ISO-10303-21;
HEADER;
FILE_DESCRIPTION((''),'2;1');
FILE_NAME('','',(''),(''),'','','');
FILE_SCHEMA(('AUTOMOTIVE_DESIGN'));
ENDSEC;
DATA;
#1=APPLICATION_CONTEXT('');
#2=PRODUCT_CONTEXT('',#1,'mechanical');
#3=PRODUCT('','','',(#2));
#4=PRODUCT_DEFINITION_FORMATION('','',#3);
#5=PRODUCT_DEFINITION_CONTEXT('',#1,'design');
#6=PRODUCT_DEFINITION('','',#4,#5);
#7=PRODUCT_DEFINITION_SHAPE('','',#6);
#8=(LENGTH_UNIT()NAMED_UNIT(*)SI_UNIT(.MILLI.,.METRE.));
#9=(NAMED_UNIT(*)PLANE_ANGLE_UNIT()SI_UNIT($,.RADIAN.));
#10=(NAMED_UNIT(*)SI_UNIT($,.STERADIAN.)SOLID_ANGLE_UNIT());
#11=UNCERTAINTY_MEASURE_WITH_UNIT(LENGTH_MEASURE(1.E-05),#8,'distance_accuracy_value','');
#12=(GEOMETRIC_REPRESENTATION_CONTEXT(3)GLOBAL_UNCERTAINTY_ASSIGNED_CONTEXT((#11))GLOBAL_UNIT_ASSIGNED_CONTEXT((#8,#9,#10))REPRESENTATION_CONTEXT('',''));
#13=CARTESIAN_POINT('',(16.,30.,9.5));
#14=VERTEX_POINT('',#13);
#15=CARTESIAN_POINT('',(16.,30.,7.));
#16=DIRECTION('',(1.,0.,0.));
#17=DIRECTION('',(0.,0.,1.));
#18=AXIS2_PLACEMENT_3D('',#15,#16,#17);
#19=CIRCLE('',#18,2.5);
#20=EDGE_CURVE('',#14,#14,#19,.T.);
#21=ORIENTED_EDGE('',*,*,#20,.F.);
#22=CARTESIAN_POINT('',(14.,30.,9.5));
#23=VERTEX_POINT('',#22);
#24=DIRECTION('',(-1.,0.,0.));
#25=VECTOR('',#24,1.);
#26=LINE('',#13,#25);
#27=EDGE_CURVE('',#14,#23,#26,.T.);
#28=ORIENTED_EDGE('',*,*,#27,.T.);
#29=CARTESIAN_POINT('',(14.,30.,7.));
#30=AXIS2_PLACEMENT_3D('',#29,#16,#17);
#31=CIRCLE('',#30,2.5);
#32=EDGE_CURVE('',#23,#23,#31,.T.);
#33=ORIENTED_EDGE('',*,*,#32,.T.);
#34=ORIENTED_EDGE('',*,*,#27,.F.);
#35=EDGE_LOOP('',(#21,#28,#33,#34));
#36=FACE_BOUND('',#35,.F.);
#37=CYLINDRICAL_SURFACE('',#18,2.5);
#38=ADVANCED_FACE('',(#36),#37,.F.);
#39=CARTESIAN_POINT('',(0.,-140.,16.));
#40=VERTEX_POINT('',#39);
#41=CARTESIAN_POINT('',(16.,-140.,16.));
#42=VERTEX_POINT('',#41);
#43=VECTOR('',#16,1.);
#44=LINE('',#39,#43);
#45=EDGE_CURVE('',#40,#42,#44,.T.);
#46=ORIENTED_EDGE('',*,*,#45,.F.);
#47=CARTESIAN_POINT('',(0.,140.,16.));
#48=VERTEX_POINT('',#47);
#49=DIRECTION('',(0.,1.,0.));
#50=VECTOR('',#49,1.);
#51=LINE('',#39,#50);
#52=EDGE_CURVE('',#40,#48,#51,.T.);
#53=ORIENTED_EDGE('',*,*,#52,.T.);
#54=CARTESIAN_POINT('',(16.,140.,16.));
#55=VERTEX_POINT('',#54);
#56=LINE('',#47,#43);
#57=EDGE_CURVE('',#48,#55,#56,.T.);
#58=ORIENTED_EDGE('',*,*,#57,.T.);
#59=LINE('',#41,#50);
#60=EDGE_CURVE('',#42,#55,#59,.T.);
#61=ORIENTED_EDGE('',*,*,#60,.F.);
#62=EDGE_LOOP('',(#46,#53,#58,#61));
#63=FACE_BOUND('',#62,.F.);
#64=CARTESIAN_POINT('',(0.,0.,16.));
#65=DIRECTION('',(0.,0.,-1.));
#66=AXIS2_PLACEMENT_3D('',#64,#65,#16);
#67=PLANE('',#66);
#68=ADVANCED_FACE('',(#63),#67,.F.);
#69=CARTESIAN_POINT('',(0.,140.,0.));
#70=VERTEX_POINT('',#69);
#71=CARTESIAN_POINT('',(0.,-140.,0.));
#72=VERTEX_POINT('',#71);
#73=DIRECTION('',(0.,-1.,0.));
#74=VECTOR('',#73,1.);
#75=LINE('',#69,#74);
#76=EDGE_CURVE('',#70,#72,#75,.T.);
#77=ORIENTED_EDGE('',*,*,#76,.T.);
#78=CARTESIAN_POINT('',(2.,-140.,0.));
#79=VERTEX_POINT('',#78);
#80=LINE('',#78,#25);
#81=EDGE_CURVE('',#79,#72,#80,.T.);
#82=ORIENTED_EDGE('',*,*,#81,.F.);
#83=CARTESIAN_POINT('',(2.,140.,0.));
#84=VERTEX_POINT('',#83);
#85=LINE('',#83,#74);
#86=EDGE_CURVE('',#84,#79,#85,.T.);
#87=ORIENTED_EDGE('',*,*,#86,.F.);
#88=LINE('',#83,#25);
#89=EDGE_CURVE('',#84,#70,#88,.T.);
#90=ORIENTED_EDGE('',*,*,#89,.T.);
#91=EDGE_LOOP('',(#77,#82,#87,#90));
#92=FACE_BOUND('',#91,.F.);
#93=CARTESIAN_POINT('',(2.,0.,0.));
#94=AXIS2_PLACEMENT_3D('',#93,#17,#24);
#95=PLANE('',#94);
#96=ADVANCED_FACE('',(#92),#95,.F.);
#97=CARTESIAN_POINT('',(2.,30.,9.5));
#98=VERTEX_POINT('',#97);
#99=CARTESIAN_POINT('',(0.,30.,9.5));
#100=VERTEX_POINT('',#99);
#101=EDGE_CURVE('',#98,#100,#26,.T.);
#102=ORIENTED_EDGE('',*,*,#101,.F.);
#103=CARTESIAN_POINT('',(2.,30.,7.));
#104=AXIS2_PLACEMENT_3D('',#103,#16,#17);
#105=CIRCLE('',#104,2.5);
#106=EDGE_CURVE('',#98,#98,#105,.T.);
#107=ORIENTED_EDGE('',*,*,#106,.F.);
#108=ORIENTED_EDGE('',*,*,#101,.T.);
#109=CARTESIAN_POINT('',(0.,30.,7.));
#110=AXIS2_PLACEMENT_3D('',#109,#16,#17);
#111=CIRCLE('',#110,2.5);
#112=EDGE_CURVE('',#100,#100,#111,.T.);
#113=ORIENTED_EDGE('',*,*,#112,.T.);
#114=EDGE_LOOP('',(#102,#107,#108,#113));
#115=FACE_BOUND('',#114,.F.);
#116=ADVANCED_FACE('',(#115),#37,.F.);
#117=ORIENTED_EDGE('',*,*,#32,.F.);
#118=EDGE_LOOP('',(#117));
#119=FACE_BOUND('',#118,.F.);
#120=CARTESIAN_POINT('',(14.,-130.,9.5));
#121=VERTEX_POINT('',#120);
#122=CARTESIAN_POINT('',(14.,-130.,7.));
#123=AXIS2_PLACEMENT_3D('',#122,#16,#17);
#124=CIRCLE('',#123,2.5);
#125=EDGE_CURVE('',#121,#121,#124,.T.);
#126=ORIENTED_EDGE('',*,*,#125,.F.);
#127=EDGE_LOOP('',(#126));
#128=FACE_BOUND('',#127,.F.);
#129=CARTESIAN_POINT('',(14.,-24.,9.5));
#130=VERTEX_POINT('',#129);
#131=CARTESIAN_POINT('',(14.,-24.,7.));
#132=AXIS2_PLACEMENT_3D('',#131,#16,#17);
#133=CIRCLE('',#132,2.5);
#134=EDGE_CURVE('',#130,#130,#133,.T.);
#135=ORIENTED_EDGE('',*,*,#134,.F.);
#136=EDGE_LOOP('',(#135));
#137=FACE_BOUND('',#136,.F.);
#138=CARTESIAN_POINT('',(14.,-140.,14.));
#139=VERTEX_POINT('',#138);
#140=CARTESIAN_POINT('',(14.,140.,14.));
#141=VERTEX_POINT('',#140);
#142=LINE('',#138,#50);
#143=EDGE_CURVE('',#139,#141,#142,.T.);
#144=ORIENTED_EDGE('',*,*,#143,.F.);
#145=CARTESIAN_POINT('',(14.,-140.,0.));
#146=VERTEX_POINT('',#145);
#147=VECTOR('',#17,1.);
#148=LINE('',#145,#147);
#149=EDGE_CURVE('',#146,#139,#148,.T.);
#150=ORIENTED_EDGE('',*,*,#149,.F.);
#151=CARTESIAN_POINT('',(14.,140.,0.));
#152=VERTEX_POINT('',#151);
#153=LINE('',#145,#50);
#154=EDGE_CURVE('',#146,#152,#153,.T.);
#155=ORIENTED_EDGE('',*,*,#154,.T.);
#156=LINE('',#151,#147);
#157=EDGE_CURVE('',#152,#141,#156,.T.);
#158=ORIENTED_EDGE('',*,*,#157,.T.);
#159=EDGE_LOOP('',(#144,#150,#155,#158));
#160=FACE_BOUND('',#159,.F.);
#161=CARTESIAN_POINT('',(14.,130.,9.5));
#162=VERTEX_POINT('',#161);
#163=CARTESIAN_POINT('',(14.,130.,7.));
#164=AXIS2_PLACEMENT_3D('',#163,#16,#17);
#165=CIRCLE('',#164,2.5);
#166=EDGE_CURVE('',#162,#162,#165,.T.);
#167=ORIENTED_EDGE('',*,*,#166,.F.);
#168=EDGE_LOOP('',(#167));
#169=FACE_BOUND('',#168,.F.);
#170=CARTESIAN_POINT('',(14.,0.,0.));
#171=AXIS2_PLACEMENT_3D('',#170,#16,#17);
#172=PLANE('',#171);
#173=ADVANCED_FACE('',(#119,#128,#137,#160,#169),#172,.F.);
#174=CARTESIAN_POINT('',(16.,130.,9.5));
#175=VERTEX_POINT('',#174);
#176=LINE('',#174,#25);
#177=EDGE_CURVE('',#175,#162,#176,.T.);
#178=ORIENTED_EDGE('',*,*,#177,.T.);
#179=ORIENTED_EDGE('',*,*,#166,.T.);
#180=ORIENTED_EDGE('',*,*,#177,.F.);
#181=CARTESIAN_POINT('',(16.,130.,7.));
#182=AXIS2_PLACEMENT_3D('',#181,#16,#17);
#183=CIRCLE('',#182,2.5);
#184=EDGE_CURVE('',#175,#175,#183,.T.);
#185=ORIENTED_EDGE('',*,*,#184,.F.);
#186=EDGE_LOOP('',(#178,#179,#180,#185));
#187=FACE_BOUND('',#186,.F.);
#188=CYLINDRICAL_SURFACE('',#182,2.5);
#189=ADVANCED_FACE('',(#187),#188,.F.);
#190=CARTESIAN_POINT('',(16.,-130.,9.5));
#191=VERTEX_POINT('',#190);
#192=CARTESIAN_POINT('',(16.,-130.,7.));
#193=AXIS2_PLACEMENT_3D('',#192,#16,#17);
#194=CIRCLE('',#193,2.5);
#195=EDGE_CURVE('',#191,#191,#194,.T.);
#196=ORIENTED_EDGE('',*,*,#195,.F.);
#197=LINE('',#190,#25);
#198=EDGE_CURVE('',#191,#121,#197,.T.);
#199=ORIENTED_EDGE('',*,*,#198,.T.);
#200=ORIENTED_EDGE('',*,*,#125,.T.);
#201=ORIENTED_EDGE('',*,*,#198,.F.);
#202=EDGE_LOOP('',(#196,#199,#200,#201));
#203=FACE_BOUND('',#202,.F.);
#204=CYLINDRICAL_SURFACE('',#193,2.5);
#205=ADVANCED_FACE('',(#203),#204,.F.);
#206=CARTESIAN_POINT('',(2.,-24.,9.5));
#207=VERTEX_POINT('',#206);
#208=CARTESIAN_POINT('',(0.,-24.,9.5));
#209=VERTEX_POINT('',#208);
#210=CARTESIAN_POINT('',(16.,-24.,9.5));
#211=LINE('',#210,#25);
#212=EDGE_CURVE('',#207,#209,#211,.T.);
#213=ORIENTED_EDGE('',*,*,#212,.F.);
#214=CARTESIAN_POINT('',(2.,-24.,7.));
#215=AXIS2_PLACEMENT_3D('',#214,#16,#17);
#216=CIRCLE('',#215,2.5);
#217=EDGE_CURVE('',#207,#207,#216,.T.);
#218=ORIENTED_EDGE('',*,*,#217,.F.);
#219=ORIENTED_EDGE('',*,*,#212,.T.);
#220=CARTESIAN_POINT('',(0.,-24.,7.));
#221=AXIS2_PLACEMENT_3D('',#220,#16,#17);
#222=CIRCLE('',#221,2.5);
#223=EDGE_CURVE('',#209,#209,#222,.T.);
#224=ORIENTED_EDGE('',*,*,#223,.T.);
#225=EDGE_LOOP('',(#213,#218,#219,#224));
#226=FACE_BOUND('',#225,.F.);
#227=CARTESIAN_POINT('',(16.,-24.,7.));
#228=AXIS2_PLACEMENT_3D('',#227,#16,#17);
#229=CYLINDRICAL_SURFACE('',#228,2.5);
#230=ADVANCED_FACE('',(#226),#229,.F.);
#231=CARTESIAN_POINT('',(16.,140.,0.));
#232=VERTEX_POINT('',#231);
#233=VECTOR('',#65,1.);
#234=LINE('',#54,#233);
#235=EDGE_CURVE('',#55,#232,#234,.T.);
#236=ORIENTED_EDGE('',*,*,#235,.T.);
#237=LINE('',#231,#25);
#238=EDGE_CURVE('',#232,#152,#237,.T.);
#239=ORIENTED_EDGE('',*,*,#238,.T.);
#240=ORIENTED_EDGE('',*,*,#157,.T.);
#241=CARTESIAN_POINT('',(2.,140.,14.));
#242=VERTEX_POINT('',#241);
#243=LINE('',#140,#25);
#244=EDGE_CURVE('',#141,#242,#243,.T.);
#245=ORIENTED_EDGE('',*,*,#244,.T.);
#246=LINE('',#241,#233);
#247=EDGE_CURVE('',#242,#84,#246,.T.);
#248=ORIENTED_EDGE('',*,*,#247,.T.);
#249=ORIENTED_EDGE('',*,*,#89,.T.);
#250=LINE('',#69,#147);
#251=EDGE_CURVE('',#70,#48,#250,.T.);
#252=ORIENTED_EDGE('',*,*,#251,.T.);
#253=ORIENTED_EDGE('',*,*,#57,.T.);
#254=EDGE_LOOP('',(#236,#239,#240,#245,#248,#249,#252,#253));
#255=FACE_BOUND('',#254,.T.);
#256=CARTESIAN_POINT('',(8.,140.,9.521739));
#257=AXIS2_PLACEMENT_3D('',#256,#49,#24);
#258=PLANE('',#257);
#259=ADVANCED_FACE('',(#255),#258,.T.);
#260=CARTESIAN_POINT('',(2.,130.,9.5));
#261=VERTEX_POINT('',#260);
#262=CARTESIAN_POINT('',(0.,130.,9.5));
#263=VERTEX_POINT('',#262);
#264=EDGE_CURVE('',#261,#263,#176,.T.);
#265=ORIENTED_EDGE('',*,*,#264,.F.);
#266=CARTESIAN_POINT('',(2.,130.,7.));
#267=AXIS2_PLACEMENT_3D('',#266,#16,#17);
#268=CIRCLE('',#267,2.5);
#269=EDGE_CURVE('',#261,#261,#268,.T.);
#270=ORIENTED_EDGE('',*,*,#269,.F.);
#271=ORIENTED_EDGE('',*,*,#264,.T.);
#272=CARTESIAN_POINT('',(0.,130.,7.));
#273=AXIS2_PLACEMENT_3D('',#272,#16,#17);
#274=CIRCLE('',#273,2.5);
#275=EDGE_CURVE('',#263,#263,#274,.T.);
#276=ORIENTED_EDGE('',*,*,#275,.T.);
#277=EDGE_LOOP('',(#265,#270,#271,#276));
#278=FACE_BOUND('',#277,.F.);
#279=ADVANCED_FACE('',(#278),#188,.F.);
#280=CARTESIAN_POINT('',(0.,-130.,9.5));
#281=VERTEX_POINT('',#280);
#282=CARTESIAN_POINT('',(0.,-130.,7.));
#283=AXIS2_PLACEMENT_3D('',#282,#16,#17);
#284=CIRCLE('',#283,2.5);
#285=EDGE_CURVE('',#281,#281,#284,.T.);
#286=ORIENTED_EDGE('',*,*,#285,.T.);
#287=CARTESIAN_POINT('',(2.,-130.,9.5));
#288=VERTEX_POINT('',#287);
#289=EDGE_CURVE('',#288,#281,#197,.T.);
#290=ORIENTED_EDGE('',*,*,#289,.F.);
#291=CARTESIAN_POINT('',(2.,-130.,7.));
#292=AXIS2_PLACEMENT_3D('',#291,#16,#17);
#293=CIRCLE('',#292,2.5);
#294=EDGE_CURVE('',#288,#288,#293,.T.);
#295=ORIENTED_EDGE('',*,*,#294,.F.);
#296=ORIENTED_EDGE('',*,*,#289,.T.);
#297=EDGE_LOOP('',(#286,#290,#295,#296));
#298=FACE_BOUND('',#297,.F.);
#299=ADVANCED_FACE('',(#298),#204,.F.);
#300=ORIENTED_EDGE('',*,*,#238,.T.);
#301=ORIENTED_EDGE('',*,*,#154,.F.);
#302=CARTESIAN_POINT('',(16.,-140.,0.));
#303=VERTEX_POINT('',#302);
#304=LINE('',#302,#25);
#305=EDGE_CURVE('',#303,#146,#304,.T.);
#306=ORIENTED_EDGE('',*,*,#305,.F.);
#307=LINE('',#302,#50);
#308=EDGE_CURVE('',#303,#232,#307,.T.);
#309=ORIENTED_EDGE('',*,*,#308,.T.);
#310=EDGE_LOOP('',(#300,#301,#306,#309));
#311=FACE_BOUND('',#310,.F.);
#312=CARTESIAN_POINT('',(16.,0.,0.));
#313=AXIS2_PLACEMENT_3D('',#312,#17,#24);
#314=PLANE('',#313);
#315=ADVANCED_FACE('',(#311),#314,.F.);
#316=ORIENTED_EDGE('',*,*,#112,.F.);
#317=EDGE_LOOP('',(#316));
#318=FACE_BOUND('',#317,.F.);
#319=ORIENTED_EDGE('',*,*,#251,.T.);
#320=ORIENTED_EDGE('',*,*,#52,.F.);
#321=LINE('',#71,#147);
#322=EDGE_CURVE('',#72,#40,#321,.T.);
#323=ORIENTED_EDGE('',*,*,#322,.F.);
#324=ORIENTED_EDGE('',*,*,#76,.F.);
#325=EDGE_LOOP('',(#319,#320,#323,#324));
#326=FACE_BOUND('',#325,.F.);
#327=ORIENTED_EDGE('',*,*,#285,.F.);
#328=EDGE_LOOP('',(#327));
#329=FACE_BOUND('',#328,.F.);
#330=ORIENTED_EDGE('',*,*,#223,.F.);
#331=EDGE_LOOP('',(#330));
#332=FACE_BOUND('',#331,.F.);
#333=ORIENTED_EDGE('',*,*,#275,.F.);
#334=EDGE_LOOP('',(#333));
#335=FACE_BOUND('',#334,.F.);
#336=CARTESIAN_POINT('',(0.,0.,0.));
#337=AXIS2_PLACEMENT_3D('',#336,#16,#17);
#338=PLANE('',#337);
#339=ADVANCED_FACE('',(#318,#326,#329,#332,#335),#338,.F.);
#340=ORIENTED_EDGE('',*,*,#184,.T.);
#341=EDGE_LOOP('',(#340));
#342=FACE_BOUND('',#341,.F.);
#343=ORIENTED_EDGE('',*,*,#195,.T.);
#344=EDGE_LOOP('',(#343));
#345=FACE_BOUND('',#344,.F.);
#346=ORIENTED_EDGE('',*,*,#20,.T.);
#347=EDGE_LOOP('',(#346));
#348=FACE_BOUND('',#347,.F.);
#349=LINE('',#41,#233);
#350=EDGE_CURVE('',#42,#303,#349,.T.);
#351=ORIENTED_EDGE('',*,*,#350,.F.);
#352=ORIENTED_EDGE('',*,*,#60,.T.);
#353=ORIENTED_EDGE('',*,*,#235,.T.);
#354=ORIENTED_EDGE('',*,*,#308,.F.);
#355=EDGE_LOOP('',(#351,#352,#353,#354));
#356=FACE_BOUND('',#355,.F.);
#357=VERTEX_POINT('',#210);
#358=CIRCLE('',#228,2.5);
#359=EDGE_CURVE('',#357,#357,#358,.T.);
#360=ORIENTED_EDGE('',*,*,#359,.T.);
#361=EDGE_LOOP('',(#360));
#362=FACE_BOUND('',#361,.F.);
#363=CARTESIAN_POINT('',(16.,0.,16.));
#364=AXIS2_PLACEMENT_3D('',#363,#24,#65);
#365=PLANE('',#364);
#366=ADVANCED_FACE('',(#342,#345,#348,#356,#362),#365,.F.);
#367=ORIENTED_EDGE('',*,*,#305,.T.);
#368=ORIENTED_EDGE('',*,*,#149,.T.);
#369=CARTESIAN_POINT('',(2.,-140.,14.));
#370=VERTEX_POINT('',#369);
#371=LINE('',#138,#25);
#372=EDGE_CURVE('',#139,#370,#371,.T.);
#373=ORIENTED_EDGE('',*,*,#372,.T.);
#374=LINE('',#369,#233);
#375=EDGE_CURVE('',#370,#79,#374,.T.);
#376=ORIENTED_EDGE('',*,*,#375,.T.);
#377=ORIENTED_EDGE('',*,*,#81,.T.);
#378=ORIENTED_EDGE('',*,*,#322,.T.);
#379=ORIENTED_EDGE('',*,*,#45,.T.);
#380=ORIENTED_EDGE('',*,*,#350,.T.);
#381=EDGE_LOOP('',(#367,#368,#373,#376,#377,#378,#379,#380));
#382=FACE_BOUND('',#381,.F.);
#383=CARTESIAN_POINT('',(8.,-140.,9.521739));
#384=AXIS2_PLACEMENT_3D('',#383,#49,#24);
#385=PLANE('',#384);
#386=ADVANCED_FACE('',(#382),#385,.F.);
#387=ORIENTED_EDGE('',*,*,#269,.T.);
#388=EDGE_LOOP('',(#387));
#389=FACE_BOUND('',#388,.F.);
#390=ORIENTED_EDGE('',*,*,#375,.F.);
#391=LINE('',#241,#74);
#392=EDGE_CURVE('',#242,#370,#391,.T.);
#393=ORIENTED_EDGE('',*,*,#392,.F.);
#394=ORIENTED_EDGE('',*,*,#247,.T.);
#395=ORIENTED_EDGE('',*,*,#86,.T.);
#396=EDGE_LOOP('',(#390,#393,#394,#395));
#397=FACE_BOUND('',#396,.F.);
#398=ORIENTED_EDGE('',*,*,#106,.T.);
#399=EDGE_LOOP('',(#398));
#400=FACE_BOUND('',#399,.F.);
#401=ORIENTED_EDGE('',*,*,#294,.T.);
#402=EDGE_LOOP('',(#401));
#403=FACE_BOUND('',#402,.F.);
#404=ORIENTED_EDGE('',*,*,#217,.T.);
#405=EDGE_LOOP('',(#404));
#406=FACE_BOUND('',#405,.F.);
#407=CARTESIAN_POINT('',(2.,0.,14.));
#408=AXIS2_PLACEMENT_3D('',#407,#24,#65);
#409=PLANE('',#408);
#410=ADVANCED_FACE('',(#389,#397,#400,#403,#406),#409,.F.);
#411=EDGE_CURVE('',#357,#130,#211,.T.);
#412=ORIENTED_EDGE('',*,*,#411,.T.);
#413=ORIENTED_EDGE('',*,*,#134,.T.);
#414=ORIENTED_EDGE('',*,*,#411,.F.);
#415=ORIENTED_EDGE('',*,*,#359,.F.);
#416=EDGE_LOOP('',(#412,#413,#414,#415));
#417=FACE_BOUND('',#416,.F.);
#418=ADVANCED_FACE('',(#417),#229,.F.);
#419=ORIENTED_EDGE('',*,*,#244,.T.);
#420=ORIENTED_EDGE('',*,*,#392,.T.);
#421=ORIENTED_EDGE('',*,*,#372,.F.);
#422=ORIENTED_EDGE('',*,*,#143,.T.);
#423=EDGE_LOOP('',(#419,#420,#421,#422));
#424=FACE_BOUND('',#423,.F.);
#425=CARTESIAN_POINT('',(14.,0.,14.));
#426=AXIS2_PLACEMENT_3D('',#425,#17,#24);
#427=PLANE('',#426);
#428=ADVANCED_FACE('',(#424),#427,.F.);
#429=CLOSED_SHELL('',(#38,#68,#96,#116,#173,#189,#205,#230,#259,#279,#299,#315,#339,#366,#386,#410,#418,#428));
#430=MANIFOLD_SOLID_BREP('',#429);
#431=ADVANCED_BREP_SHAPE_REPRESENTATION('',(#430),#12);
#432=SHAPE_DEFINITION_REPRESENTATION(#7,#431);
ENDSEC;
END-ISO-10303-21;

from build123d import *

# Parameters (mm, degrees)
PAD_DEPTH    = 140
SKETCH001_R  = 2.5
POCKET_DEPTH = 16.001


with BuildPart() as part:
    # Sketch → Pad (new body, symmetric)
    with BuildSketch(Plane.XZ):
        Polygon((0, 0), (0, 16), (16, 16), (16, 0), (14, 0), (14, 14), (2, 14), (2, 0), align=None)
    extrude(amount=PAD_DEPTH, both=True)

    # Sketch001 → Pocket (cut, through all)
    with BuildSketch(Plane(origin=(16, 0, 0), x_dir=(0, 0, 1), z_dir=(1, 0, 0))):
        with Locations((7, 130)):
            Circle(SKETCH001_R)
        with Locations((7, -130)):
            Circle(SKETCH001_R)
        with Locations((7, 24)):
            Circle(SKETCH001_R)
        with Locations((7, -30)):
            Circle(SKETCH001_R)
    extrude(amount=-POCKET_DEPTH, mode=Mode.SUBTRACT)


solid = part.part
